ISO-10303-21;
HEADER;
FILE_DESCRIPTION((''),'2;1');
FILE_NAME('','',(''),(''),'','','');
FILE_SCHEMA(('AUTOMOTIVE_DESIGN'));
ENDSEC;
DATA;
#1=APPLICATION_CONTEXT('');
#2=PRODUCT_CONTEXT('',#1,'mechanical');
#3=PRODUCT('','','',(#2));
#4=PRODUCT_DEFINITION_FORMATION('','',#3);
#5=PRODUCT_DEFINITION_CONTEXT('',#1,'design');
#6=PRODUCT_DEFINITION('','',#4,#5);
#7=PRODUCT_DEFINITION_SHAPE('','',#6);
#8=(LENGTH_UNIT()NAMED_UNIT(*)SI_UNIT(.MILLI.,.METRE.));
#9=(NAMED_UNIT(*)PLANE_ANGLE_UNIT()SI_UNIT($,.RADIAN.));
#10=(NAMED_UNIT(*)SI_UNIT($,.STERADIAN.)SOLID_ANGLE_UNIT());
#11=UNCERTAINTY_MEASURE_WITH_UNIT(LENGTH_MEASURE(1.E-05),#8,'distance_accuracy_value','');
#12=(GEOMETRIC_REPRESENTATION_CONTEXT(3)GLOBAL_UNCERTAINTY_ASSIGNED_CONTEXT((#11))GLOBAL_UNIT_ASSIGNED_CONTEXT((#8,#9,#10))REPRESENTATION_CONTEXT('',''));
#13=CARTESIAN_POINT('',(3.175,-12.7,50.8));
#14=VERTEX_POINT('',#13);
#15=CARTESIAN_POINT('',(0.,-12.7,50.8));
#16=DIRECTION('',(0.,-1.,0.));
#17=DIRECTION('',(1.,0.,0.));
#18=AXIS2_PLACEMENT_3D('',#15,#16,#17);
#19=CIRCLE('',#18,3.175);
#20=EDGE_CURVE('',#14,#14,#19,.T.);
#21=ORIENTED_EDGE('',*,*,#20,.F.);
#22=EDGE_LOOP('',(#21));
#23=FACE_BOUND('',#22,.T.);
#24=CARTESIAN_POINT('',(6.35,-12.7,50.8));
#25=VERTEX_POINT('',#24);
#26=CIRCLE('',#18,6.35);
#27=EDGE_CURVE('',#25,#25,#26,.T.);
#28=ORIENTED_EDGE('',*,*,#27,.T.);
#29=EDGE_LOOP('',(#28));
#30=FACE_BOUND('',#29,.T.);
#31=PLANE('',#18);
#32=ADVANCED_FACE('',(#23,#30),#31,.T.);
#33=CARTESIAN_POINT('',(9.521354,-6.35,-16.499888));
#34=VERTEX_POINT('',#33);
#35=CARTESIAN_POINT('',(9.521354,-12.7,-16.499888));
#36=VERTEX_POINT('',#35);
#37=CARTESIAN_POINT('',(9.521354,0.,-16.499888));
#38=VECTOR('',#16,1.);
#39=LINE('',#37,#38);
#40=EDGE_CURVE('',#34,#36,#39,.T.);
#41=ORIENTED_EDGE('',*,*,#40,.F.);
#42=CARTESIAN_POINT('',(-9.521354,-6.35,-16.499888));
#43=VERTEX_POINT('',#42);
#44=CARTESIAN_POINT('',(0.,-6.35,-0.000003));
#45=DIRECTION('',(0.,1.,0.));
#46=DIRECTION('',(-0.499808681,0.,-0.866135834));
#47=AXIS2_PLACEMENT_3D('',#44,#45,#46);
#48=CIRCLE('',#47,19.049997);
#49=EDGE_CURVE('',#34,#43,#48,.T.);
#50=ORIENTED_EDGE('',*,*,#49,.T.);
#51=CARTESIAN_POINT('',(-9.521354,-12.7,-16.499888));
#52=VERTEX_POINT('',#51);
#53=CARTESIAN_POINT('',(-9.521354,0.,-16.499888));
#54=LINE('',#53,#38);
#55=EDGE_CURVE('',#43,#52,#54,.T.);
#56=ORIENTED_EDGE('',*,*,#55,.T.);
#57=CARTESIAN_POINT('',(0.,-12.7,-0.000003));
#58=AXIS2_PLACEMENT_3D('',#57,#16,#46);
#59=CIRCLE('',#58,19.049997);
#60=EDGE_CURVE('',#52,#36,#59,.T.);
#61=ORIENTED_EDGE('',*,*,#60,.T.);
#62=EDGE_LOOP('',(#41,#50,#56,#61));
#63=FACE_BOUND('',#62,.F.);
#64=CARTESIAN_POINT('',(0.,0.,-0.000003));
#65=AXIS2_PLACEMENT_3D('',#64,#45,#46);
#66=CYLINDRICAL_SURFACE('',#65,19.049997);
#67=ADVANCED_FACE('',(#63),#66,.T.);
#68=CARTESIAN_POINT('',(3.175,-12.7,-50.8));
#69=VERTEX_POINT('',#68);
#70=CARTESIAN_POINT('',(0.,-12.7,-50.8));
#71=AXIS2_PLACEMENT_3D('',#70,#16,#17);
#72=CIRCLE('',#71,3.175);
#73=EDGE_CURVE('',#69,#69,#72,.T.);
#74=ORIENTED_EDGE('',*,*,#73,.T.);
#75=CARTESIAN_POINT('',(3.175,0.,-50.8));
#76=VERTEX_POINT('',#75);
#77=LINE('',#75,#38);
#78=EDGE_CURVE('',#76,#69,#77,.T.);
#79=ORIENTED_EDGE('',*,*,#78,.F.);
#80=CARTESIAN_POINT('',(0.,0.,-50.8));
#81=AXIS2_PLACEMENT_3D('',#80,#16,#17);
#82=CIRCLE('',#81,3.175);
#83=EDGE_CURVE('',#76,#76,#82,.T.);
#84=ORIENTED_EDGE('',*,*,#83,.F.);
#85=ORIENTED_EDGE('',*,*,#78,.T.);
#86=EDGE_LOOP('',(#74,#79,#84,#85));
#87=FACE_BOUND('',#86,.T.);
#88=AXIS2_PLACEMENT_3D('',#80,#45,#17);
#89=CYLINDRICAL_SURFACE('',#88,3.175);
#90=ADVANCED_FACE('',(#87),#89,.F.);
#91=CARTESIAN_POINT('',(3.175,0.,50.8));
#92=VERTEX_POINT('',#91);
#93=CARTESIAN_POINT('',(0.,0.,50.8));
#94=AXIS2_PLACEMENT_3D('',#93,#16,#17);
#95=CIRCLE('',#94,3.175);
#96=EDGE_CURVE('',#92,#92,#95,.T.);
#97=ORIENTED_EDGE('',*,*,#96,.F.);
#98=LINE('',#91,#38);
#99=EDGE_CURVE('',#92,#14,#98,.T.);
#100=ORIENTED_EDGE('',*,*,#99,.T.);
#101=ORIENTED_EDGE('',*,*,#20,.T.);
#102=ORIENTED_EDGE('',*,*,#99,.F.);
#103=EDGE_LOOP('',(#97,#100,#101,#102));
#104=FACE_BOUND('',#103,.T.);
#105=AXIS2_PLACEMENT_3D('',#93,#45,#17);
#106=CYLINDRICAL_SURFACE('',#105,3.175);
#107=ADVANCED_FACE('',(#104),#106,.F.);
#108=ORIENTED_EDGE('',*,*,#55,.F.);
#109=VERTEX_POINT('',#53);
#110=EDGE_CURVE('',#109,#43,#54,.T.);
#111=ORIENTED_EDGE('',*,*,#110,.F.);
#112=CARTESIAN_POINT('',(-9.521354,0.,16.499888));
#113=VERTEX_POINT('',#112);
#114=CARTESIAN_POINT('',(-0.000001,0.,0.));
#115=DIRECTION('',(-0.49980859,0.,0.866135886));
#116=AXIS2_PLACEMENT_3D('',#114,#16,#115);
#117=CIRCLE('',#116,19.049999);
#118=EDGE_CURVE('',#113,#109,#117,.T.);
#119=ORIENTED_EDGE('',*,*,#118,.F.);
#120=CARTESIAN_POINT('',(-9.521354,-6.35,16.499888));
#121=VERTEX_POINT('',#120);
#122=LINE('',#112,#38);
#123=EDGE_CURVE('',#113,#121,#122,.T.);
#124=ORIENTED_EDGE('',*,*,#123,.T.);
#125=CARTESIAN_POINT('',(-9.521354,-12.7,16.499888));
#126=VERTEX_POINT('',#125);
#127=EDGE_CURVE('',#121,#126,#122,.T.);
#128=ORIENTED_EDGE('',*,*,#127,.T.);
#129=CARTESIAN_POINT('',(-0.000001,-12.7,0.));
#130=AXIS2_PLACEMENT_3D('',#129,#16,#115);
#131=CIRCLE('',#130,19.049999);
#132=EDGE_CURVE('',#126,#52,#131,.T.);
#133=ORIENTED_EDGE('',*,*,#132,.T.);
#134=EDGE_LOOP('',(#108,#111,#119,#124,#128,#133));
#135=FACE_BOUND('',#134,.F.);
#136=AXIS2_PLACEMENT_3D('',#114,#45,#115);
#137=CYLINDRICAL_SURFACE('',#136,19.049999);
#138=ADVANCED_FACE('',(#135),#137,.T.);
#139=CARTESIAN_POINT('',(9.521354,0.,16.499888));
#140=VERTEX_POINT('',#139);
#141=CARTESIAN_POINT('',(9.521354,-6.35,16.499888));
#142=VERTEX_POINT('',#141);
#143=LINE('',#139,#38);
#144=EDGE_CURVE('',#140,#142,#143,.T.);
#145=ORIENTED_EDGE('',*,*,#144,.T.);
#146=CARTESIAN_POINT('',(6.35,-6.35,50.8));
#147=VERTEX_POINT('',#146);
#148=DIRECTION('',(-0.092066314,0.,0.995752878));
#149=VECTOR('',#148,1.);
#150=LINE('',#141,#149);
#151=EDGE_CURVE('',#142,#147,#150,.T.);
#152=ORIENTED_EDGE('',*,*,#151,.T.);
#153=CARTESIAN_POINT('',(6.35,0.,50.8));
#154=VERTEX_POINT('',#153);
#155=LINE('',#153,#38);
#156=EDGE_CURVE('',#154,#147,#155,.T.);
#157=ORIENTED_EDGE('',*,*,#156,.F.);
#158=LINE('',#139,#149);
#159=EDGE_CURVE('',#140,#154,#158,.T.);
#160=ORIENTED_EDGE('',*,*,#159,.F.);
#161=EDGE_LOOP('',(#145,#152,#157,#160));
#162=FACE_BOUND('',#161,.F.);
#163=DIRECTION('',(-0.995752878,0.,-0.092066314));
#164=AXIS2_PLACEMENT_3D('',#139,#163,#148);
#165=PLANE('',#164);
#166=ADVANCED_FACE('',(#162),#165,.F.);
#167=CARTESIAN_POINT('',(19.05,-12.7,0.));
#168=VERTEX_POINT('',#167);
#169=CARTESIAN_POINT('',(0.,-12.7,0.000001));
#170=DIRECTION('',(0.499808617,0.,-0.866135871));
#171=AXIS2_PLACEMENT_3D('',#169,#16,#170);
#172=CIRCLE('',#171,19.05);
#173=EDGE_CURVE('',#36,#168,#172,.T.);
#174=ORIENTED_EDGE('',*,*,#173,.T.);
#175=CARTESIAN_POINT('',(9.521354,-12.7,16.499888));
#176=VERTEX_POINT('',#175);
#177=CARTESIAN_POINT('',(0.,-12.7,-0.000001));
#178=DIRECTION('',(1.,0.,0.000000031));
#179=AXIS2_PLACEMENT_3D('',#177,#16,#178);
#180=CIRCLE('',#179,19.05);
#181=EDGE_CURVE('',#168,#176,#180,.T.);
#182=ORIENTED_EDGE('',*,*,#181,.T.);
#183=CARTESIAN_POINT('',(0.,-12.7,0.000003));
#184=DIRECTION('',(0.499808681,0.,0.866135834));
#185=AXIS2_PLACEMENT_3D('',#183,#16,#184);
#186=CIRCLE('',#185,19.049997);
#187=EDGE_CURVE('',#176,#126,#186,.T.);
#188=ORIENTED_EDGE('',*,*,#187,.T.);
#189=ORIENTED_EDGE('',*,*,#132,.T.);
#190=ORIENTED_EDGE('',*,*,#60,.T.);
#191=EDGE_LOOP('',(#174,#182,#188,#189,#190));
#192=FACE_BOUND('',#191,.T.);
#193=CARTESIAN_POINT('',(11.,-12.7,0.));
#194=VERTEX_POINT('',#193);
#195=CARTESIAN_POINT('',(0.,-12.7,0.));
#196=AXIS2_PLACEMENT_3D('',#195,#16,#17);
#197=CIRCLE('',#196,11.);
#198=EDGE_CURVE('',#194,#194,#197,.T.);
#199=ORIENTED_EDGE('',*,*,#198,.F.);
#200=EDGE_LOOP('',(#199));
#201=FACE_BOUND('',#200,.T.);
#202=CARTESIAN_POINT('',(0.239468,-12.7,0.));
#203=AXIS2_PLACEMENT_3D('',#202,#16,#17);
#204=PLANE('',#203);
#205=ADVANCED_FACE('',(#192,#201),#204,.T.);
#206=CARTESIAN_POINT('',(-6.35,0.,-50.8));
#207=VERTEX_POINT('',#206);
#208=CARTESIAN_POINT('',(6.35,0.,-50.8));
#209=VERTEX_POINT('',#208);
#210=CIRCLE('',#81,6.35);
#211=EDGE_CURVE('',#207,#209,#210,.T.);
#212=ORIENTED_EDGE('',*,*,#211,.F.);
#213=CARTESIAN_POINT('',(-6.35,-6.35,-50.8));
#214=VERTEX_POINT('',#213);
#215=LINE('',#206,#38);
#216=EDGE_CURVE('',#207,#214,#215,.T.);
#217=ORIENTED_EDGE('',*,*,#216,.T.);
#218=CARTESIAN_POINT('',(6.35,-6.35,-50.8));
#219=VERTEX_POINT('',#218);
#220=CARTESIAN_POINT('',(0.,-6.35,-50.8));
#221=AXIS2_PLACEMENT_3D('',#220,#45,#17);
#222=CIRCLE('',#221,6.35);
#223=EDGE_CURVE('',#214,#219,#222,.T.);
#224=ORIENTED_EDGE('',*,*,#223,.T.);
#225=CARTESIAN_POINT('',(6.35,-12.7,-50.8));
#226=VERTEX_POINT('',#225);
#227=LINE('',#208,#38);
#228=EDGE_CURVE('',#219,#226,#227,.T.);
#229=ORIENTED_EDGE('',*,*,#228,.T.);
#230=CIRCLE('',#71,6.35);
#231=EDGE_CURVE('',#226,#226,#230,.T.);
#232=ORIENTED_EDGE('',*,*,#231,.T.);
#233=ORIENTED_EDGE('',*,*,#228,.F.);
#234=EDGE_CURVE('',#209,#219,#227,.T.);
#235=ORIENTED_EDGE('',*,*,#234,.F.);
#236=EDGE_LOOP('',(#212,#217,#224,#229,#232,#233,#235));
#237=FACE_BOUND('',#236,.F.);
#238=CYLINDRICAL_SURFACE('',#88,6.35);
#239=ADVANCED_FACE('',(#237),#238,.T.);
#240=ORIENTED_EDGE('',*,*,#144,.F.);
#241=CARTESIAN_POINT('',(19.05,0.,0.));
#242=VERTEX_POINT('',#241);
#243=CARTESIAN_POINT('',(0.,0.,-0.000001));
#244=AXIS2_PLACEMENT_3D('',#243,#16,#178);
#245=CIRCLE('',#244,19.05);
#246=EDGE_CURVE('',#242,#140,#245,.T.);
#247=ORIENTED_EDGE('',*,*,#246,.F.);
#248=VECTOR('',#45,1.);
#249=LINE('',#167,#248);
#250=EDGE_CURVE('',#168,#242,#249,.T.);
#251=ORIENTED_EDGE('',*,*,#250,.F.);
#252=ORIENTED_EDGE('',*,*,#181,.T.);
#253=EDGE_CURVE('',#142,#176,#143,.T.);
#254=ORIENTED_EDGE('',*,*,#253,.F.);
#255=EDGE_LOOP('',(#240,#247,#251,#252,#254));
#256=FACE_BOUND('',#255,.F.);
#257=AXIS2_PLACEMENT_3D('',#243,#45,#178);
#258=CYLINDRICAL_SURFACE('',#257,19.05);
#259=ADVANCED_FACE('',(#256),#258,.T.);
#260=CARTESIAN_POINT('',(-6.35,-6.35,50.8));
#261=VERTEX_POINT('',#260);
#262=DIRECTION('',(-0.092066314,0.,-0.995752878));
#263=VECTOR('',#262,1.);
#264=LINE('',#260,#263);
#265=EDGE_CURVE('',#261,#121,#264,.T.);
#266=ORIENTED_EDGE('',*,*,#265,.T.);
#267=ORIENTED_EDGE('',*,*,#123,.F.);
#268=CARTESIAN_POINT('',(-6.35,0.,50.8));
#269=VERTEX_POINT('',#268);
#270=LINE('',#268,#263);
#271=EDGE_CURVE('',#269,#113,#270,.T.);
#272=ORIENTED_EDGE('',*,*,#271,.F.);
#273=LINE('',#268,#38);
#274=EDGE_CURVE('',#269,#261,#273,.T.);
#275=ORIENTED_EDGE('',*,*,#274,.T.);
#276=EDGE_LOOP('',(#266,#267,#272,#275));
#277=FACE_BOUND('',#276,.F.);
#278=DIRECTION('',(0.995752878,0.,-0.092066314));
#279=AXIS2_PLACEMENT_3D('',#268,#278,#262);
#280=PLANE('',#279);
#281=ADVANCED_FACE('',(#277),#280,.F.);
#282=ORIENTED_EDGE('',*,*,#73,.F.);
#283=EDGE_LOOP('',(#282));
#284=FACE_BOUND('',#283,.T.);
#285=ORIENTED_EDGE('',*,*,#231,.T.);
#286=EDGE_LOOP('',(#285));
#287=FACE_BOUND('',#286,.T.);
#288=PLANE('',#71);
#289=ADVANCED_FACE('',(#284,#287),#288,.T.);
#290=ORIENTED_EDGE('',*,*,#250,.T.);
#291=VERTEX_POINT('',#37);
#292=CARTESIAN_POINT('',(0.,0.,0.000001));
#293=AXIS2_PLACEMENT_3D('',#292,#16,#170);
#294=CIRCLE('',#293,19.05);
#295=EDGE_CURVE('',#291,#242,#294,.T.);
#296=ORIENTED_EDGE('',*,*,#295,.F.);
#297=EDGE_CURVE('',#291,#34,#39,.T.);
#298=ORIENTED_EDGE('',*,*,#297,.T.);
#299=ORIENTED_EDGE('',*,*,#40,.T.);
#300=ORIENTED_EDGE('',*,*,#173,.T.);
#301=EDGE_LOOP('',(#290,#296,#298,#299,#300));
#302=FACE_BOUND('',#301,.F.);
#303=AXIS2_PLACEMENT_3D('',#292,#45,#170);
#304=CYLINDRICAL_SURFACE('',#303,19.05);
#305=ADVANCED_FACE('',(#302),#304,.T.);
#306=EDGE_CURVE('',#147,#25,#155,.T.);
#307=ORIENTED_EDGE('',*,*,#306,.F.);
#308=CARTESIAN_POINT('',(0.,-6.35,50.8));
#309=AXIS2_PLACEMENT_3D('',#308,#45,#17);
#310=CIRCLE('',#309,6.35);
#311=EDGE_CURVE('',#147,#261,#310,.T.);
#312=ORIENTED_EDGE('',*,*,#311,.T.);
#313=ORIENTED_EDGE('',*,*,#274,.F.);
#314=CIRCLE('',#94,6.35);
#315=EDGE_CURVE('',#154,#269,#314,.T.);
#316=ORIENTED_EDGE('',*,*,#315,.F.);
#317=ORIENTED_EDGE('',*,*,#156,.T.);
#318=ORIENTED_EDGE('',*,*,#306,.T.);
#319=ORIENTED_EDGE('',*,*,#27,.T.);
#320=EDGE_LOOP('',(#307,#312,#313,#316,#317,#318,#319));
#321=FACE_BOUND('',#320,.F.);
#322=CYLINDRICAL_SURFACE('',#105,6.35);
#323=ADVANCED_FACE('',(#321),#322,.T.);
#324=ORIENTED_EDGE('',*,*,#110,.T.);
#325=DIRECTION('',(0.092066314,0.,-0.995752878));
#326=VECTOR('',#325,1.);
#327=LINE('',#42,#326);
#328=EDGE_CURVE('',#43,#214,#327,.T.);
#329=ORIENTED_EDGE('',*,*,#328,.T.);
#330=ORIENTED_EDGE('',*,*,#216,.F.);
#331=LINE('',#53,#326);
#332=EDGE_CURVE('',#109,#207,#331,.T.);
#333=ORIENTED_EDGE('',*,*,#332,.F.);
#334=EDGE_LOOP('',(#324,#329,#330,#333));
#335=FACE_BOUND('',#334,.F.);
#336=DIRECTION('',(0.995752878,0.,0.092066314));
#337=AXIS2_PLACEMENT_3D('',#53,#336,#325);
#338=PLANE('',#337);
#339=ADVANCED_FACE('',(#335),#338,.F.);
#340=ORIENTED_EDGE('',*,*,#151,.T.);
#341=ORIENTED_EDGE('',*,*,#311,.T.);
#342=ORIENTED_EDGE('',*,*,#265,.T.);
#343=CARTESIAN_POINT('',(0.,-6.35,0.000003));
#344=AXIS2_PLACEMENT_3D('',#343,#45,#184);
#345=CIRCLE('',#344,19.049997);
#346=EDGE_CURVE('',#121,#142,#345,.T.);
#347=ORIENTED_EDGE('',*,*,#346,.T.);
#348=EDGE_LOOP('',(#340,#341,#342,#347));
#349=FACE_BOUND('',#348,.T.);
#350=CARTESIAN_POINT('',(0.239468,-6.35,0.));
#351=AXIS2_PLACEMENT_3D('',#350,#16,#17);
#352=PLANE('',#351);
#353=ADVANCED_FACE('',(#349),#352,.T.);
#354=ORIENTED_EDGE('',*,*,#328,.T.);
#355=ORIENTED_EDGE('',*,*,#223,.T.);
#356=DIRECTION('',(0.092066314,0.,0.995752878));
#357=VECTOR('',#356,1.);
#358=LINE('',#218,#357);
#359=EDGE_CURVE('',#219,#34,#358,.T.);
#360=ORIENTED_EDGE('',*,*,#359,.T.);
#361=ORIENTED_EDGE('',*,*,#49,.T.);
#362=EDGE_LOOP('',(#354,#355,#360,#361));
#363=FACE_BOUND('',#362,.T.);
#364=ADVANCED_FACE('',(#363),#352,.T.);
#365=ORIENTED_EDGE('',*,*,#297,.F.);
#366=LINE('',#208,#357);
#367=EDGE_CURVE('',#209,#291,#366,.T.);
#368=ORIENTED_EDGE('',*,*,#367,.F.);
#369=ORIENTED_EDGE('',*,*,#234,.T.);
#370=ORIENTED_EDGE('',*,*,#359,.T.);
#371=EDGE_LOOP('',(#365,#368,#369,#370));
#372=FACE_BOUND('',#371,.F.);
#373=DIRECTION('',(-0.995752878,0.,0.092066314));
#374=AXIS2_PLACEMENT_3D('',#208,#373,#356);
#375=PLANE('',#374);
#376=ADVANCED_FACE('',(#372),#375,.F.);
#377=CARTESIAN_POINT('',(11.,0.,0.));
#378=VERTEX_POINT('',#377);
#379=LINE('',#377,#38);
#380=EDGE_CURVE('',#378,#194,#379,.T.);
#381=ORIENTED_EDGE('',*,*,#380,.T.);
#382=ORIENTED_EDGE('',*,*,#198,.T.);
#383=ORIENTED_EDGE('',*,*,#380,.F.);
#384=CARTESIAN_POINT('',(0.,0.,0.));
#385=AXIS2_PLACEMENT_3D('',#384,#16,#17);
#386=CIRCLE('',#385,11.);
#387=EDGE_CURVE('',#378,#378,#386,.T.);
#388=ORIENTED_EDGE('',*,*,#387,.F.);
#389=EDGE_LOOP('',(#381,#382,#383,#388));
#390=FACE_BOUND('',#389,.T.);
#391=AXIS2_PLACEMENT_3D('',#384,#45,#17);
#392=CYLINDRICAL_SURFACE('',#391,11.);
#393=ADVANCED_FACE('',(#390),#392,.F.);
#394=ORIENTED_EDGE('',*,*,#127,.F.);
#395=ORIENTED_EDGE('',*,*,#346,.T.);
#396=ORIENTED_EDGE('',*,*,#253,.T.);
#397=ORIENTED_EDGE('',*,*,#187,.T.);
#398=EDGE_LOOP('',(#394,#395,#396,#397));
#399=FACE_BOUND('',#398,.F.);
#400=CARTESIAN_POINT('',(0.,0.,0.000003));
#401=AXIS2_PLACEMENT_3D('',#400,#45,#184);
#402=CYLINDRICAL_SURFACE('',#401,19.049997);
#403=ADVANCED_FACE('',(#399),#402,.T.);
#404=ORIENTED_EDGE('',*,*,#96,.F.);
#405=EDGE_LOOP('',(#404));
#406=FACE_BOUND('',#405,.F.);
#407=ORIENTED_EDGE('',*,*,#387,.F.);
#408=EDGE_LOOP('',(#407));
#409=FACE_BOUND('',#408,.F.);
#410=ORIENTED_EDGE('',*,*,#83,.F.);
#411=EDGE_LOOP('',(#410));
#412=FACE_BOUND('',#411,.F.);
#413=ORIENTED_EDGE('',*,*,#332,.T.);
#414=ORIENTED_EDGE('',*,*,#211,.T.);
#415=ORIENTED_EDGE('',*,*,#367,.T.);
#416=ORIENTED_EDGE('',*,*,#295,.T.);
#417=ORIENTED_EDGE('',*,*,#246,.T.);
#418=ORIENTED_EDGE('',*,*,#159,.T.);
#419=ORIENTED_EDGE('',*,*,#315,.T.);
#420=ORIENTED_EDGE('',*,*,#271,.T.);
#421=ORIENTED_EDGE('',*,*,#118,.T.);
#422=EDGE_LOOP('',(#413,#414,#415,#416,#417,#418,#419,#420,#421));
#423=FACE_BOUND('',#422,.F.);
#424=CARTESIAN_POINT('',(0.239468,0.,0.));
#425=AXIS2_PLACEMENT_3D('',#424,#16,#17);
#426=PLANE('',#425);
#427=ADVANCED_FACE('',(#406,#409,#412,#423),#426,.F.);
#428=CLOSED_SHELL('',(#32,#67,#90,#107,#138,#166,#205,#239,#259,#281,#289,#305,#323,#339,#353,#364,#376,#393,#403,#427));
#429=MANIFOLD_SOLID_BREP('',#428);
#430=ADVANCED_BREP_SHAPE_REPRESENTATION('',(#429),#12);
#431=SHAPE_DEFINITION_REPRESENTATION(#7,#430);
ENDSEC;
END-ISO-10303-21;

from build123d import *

# Parameters (mm, degrees)
F0_R     = 11
F0_R_2   = 3.175
F1_DEPTH = 6.35
F2_DEPTH = 12.7


with BuildPart() as f1:
    # F0 (on Front) → F1 (new body)
    with BuildSketch(Plane.XZ):
        with BuildLine():
            ThreePointArc((9.521354, -16.499888), (16.496731, -9.526823), (19.05, 0))
            ThreePointArc((19.05, 0), (16.496731, 9.526823), (9.521354, 16.499888))
            ThreePointArc((9.521354, 16.499888), (0, 19.05), (-9.521354, 16.499888))
            ThreePointArc((-9.521354, 16.499888), (-19.05, 0), (-9.521354, -16.499888))
            ThreePointArc((-9.521354, -16.499888), (0, -19.05), (9.521354, -16.499888))
        make_face()
        Circle(F0_R, mode=Mode.SUBTRACT)
        with BuildLine():
            ThreePointArc((-9.521354, 16.499888), (0, 19.05), (9.521354, 16.499888))
            Line((9.521354, 16.499888), (6.35, 50.8))
            ThreePointArc((6.35, 50.8), (0, 44.45), (-6.35, 50.8))
            Line((-6.35, 50.8), (-9.521354, 16.499888))
        make_face()
        with BuildLine():
            Line((6.35, -50.8), (9.521354, -16.499888))
            ThreePointArc((9.521354, -16.499888), (0, -19.05), (-9.521354, -16.499888))
            Line((-9.521354, -16.499888), (-6.35, -50.8))
            ThreePointArc((-6.35, -50.8), (0, -44.45), (6.35, -50.8))
        make_face()
        with BuildLine():
            ThreePointArc((-6.35, 50.8), (0, 44.45), (6.35, 50.8))
            ThreePointArc((6.35, 50.8), (0, 57.15), (-6.35, 50.8))
        make_face()
        with Locations((0, 50.8)):
            Circle(F0_R_2, mode=Mode.SUBTRACT)
        with BuildLine():
            ThreePointArc((-6.35, -50.8), (0, -57.15), (6.35, -50.8))
            ThreePointArc((6.35, -50.8), (0, -44.45), (-6.35, -50.8))
        make_face()
        with Locations((0, -50.8)):
            Circle(F0_R_2, mode=Mode.SUBTRACT)
    extrude(amount=F1_DEPTH)

    # F0 (on Front) → F2 (join)
    with BuildSketch(Plane.XZ):
        with BuildLine():
            ThreePointArc((-6.35, 50.8), (0, 44.45), (6.35, 50.8))
            ThreePointArc((6.35, 50.8), (0, 57.15), (-6.35, 50.8))
        make_face()
        with Locations((0, 50.8)):
            Circle(F0_R_2, mode=Mode.SUBTRACT)
        with BuildLine():
            ThreePointArc((9.521354, -16.499888), (16.496731, -9.526823), (19.05, 0))
            ThreePointArc((19.05, 0), (16.496731, 9.526823), (9.521354, 16.499888))
            ThreePointArc((9.521354, 16.499888), (0, 19.05), (-9.521354, 16.499888))
            ThreePointArc((-9.521354, 16.499888), (-19.05, 0), (-9.521354, -16.499888))
            ThreePointArc((-9.521354, -16.499888), (0, -19.05), (9.521354, -16.499888))
        make_face()
        Circle(F0_R, mode=Mode.SUBTRACT)
        with BuildLine():
            ThreePointArc((-6.35, -50.8), (0, -57.15), (6.35, -50.8))
            ThreePointArc((6.35, -50.8), (0, -44.45), (-6.35, -50.8))
        make_face()
        with Locations((0, -50.8)):
            Circle(F0_R_2, mode=Mode.SUBTRACT)
    extrude(amount=F2_DEPTH)


solid = f1.part
